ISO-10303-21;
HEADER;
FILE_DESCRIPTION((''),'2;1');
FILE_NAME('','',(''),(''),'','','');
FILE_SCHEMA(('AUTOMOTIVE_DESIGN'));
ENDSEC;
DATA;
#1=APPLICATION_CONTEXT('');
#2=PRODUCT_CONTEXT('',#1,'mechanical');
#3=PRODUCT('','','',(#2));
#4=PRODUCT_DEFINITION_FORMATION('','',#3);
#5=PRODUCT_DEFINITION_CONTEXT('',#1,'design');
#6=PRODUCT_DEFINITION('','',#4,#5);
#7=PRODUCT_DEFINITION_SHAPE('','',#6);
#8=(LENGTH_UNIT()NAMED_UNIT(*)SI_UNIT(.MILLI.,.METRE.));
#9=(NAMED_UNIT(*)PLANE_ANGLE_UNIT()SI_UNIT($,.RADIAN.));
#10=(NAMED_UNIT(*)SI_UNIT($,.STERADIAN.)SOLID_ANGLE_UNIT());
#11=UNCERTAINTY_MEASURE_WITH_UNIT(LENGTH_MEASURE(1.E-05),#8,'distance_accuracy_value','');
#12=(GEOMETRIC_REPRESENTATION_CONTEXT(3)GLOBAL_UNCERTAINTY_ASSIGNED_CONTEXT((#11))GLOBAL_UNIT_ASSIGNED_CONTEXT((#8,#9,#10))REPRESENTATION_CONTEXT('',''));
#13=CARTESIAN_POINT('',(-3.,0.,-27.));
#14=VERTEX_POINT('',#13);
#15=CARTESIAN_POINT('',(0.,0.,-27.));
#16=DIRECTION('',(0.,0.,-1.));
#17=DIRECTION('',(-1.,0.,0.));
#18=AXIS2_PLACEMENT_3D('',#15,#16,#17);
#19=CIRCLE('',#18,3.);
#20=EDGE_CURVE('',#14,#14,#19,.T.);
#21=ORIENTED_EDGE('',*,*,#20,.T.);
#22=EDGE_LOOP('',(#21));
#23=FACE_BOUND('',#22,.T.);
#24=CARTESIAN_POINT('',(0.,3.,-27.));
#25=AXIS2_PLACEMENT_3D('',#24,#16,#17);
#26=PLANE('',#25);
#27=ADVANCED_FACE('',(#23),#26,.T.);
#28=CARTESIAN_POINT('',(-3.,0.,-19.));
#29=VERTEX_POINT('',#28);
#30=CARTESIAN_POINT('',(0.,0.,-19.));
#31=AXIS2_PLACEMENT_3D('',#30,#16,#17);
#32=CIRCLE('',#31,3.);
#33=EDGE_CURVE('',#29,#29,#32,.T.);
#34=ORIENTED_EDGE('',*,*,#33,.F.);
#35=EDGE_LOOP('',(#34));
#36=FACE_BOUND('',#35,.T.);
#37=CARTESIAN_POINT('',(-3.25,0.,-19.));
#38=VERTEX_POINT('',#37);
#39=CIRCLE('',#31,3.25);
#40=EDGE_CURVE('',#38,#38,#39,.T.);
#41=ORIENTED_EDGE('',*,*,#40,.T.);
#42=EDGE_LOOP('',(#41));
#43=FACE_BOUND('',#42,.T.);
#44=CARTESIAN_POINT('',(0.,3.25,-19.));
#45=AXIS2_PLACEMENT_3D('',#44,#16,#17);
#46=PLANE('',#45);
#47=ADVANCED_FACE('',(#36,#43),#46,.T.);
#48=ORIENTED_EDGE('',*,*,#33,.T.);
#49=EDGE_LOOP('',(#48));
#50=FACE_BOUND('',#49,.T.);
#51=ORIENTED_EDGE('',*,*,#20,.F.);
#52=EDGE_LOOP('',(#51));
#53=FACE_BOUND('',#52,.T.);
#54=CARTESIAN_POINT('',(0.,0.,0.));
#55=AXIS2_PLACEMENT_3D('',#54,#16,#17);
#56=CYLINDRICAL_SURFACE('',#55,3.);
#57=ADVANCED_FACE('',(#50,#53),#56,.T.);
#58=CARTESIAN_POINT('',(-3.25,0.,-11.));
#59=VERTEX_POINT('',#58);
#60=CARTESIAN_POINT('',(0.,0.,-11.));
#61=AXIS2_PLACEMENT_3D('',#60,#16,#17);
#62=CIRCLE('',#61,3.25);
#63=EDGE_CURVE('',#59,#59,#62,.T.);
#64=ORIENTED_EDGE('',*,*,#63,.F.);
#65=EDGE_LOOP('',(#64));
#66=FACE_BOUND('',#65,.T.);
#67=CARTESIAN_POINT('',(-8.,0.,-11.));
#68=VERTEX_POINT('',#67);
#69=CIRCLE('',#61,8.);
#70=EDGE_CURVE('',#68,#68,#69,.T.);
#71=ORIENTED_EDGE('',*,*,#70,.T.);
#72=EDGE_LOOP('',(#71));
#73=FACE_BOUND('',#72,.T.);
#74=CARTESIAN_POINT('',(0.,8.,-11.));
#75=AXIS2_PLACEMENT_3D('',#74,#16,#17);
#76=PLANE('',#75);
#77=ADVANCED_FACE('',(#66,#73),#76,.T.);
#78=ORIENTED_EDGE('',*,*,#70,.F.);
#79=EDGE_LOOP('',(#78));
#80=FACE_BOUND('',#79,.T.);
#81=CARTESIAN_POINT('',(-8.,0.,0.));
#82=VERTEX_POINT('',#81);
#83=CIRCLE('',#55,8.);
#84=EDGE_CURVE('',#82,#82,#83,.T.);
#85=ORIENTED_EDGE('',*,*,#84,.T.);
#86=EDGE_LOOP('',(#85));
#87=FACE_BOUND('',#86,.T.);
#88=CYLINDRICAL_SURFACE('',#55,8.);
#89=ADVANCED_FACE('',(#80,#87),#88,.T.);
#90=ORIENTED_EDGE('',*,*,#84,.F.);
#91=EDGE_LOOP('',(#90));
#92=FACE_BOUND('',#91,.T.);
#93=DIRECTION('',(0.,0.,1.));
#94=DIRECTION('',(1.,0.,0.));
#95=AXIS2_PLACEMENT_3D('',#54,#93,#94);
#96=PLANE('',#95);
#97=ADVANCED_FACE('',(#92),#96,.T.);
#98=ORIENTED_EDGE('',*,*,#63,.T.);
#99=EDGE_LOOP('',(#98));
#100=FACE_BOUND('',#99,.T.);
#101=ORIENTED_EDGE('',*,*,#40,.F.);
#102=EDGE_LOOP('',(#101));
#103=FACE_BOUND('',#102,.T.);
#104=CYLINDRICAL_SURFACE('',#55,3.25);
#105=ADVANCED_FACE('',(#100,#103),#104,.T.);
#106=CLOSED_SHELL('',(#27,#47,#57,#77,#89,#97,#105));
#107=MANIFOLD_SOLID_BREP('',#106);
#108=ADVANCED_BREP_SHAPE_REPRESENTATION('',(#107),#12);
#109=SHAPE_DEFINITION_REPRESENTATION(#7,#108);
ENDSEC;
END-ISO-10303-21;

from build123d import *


with BuildPart() as part:
    # Sketch1 → Revolve1 (revolve)
    with BuildSketch(Plane(origin=(0, 0, 0), x_dir=(0, 0, -1), z_dir=(1, 0, 0))):
        Polygon((0, 0), (0, 8), (11, 8), (11, 3.25), (19, 3.25), (19, 3), (27, 3), (27, 0), align=None)
    revolve(axis=Axis((0, 0, 0), (0, 0, 1)))


solid = part.part
